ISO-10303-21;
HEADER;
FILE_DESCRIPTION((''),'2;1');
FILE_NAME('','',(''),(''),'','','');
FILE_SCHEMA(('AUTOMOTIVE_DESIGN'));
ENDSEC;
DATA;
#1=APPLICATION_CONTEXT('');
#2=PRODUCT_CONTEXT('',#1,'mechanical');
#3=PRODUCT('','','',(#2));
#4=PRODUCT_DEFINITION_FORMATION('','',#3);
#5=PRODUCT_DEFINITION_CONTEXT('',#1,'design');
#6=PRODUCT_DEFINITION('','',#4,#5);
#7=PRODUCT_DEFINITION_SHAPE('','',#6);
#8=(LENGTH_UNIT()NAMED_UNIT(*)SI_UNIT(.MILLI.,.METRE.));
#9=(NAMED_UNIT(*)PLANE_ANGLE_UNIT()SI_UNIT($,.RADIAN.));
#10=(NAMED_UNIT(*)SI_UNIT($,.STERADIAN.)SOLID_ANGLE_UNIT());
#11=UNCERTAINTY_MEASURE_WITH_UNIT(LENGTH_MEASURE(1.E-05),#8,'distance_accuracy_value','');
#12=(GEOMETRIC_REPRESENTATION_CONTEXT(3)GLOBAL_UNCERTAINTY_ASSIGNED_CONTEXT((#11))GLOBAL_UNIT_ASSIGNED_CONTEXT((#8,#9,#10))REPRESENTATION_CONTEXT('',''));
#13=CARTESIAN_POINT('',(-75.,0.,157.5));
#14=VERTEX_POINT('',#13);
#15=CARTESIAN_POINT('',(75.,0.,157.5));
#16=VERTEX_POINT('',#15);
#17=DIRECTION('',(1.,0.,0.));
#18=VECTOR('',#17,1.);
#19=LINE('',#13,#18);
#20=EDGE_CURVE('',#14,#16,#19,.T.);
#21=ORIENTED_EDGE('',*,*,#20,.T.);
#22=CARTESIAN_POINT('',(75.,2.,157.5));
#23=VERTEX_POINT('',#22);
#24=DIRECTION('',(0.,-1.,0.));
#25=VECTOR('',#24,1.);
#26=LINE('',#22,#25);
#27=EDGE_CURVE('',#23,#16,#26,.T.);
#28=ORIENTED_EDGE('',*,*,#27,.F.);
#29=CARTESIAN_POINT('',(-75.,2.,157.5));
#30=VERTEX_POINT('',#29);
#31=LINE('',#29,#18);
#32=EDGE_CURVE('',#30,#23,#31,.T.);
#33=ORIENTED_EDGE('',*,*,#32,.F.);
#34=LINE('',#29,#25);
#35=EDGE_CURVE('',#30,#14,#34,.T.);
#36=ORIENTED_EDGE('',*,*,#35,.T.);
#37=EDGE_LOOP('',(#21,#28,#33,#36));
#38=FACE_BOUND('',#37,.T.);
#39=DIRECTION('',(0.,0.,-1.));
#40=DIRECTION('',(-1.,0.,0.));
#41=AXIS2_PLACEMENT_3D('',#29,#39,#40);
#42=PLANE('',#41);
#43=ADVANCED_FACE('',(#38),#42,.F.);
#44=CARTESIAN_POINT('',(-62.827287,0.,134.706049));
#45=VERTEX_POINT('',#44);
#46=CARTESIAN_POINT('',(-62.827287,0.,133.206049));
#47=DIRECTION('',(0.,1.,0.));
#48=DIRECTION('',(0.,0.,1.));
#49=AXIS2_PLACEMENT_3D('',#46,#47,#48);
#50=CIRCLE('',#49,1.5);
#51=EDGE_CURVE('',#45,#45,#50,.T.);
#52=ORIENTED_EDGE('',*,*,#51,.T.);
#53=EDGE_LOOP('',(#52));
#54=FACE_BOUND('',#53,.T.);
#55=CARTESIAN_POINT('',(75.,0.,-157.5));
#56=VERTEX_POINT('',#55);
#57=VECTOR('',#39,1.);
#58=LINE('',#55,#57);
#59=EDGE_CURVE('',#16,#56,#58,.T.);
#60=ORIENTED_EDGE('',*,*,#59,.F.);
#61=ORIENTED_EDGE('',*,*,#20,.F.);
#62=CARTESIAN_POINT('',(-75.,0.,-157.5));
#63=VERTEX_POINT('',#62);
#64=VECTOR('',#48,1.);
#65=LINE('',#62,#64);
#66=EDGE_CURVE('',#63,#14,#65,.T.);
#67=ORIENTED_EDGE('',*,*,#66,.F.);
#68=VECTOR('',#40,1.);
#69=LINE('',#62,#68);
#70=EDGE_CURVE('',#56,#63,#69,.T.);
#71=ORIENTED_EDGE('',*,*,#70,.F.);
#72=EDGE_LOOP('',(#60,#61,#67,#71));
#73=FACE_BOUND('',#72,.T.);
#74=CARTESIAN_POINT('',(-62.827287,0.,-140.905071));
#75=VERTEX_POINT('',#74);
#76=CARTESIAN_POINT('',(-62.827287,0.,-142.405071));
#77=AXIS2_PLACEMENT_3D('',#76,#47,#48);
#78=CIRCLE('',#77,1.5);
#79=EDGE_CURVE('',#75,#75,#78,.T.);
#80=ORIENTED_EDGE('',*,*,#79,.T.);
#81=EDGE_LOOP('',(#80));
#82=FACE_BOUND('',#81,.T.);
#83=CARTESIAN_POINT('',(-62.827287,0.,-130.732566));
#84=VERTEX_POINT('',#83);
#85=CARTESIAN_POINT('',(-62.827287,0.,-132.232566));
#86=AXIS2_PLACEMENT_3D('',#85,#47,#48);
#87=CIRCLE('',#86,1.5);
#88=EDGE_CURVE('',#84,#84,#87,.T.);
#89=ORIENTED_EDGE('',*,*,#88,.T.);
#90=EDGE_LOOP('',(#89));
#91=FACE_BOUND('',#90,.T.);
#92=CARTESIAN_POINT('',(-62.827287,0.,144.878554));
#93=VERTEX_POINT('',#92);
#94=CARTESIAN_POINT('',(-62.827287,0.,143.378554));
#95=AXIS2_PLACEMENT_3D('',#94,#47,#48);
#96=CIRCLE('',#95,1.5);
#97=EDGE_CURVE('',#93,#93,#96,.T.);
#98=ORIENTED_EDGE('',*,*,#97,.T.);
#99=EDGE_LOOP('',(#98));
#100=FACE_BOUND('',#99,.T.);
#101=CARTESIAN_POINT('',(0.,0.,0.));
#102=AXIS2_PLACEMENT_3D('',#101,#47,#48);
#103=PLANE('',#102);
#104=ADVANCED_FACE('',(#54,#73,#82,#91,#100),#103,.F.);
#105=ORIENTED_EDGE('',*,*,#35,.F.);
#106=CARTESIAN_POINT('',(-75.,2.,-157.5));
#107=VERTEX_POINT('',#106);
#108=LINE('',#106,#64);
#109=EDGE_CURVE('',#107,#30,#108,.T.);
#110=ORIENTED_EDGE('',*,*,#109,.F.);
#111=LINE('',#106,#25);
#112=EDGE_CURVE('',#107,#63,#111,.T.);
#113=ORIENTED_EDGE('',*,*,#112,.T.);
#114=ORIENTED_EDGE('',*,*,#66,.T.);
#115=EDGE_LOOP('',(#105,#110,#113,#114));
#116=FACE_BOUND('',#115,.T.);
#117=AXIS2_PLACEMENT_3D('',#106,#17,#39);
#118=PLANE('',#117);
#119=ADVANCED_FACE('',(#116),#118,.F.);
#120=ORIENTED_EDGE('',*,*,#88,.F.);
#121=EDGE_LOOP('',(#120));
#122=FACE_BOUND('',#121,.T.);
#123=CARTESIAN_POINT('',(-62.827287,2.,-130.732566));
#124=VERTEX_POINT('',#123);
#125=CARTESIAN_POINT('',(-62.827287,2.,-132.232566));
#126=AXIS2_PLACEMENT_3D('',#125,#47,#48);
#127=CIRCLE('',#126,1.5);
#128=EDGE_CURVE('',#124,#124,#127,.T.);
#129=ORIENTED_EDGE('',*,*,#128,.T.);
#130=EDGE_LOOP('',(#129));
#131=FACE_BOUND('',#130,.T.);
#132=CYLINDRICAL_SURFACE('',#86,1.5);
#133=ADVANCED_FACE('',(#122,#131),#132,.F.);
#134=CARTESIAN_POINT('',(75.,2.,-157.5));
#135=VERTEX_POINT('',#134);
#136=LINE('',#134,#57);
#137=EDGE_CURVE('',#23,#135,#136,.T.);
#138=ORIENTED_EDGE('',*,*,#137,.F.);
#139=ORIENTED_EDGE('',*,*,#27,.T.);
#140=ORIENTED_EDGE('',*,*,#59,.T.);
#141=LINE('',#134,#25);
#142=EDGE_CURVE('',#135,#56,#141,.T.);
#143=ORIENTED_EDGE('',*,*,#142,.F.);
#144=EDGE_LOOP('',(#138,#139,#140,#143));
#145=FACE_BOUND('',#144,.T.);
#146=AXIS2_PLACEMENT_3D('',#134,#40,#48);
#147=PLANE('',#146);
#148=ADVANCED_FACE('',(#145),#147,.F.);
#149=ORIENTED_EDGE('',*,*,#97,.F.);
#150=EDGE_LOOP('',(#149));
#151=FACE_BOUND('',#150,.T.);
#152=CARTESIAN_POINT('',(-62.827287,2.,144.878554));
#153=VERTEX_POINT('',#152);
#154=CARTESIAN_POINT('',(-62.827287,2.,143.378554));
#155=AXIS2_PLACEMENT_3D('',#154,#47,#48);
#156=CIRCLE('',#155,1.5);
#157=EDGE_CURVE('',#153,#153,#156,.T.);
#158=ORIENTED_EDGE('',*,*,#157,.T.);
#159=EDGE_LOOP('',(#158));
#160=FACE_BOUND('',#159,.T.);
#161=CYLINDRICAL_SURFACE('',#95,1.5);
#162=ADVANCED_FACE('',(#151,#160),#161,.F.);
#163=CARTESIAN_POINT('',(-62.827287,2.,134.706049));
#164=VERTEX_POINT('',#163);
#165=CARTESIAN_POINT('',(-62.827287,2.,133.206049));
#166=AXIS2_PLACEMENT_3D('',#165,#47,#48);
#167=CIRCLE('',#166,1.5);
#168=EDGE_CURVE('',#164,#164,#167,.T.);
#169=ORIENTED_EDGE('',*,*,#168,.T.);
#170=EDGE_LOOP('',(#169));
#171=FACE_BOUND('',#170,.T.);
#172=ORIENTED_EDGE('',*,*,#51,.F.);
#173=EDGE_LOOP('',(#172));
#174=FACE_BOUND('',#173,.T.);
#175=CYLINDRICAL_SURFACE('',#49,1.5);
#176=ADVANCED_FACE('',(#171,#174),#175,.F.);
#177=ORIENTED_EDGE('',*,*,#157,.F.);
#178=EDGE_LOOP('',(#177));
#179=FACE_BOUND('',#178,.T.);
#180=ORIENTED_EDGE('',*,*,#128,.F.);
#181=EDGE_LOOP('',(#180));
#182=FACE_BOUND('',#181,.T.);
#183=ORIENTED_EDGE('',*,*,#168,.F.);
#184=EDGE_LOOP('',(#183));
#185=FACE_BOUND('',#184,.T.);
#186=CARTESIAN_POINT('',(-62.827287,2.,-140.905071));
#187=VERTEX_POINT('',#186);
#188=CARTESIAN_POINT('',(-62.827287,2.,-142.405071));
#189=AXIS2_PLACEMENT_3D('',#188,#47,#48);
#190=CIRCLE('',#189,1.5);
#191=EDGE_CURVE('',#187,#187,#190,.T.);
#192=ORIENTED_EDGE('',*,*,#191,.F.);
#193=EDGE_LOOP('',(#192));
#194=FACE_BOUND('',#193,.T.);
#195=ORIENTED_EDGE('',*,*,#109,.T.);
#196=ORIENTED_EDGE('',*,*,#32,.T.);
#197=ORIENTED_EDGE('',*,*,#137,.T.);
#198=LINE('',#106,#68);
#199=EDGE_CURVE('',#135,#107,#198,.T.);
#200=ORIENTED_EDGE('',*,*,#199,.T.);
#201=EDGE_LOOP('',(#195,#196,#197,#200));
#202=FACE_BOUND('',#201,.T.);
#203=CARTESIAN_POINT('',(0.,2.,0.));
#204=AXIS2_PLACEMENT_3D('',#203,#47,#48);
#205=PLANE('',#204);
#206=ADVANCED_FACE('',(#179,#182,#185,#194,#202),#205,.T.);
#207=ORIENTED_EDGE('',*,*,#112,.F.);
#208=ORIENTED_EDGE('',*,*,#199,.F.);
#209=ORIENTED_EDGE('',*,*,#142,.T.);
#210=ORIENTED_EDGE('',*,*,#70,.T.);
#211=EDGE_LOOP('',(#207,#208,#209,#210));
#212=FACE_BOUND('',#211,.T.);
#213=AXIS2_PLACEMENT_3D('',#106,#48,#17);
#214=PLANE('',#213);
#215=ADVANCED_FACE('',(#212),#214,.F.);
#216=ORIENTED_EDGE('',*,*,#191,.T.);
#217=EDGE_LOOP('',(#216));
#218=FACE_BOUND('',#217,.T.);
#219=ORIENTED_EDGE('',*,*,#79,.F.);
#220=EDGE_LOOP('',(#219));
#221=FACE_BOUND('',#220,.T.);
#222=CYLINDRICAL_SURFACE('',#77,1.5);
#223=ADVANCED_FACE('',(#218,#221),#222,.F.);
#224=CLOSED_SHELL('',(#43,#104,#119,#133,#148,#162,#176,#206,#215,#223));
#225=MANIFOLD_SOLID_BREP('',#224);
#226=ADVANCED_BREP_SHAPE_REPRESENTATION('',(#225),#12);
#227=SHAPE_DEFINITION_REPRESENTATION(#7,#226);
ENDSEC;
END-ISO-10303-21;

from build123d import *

# Parameters (mm, degrees)
SKETCH1_W           = 150
SKETCH1_H           = 315
BOSS_EXTRUDE1_DEPTH = 2
SKETCH2_R           = 1.5
CUT_EXTRUDE1_DEPTH  = 175.457014763


with BuildPart() as part:
    # Sketch1 → Boss-Extrude1 (new body)
    with BuildSketch(Plane(origin=(0, 0, 0), x_dir=(1, 0, 0), z_dir=(0, 1, 0))):
        Rectangle(SKETCH1_W, SKETCH1_H)
    extrude(amount=BOSS_EXTRUDE1_DEPTH)

    # Sketch2 → Cut-Extrude1 (cut, through all)
    with BuildSketch(Plane(origin=(0, 2, 0), x_dir=(1, 0, 0), z_dir=(0, 1, 0))):
        with Locations(Location((-62.827286594, -143.37855393, 0), (0, 0, 270))):
            Circle(SKETCH2_R)
        with Locations(Location((-62.827286594, -133.206048982, 0), (0, 0, 270))):
            Circle(SKETCH2_R)
        with Locations(Location((-62.827286594, 132.2325662, 0), (0, 0, 270))):
            Circle(SKETCH2_R)
        with Locations(Location((-62.827286594, 142.405071148, 0), (0, 0, 270))):
            Circle(SKETCH2_R)
    extrude(amount=-CUT_EXTRUDE1_DEPTH, mode=Mode.SUBTRACT)


solid = part.part
